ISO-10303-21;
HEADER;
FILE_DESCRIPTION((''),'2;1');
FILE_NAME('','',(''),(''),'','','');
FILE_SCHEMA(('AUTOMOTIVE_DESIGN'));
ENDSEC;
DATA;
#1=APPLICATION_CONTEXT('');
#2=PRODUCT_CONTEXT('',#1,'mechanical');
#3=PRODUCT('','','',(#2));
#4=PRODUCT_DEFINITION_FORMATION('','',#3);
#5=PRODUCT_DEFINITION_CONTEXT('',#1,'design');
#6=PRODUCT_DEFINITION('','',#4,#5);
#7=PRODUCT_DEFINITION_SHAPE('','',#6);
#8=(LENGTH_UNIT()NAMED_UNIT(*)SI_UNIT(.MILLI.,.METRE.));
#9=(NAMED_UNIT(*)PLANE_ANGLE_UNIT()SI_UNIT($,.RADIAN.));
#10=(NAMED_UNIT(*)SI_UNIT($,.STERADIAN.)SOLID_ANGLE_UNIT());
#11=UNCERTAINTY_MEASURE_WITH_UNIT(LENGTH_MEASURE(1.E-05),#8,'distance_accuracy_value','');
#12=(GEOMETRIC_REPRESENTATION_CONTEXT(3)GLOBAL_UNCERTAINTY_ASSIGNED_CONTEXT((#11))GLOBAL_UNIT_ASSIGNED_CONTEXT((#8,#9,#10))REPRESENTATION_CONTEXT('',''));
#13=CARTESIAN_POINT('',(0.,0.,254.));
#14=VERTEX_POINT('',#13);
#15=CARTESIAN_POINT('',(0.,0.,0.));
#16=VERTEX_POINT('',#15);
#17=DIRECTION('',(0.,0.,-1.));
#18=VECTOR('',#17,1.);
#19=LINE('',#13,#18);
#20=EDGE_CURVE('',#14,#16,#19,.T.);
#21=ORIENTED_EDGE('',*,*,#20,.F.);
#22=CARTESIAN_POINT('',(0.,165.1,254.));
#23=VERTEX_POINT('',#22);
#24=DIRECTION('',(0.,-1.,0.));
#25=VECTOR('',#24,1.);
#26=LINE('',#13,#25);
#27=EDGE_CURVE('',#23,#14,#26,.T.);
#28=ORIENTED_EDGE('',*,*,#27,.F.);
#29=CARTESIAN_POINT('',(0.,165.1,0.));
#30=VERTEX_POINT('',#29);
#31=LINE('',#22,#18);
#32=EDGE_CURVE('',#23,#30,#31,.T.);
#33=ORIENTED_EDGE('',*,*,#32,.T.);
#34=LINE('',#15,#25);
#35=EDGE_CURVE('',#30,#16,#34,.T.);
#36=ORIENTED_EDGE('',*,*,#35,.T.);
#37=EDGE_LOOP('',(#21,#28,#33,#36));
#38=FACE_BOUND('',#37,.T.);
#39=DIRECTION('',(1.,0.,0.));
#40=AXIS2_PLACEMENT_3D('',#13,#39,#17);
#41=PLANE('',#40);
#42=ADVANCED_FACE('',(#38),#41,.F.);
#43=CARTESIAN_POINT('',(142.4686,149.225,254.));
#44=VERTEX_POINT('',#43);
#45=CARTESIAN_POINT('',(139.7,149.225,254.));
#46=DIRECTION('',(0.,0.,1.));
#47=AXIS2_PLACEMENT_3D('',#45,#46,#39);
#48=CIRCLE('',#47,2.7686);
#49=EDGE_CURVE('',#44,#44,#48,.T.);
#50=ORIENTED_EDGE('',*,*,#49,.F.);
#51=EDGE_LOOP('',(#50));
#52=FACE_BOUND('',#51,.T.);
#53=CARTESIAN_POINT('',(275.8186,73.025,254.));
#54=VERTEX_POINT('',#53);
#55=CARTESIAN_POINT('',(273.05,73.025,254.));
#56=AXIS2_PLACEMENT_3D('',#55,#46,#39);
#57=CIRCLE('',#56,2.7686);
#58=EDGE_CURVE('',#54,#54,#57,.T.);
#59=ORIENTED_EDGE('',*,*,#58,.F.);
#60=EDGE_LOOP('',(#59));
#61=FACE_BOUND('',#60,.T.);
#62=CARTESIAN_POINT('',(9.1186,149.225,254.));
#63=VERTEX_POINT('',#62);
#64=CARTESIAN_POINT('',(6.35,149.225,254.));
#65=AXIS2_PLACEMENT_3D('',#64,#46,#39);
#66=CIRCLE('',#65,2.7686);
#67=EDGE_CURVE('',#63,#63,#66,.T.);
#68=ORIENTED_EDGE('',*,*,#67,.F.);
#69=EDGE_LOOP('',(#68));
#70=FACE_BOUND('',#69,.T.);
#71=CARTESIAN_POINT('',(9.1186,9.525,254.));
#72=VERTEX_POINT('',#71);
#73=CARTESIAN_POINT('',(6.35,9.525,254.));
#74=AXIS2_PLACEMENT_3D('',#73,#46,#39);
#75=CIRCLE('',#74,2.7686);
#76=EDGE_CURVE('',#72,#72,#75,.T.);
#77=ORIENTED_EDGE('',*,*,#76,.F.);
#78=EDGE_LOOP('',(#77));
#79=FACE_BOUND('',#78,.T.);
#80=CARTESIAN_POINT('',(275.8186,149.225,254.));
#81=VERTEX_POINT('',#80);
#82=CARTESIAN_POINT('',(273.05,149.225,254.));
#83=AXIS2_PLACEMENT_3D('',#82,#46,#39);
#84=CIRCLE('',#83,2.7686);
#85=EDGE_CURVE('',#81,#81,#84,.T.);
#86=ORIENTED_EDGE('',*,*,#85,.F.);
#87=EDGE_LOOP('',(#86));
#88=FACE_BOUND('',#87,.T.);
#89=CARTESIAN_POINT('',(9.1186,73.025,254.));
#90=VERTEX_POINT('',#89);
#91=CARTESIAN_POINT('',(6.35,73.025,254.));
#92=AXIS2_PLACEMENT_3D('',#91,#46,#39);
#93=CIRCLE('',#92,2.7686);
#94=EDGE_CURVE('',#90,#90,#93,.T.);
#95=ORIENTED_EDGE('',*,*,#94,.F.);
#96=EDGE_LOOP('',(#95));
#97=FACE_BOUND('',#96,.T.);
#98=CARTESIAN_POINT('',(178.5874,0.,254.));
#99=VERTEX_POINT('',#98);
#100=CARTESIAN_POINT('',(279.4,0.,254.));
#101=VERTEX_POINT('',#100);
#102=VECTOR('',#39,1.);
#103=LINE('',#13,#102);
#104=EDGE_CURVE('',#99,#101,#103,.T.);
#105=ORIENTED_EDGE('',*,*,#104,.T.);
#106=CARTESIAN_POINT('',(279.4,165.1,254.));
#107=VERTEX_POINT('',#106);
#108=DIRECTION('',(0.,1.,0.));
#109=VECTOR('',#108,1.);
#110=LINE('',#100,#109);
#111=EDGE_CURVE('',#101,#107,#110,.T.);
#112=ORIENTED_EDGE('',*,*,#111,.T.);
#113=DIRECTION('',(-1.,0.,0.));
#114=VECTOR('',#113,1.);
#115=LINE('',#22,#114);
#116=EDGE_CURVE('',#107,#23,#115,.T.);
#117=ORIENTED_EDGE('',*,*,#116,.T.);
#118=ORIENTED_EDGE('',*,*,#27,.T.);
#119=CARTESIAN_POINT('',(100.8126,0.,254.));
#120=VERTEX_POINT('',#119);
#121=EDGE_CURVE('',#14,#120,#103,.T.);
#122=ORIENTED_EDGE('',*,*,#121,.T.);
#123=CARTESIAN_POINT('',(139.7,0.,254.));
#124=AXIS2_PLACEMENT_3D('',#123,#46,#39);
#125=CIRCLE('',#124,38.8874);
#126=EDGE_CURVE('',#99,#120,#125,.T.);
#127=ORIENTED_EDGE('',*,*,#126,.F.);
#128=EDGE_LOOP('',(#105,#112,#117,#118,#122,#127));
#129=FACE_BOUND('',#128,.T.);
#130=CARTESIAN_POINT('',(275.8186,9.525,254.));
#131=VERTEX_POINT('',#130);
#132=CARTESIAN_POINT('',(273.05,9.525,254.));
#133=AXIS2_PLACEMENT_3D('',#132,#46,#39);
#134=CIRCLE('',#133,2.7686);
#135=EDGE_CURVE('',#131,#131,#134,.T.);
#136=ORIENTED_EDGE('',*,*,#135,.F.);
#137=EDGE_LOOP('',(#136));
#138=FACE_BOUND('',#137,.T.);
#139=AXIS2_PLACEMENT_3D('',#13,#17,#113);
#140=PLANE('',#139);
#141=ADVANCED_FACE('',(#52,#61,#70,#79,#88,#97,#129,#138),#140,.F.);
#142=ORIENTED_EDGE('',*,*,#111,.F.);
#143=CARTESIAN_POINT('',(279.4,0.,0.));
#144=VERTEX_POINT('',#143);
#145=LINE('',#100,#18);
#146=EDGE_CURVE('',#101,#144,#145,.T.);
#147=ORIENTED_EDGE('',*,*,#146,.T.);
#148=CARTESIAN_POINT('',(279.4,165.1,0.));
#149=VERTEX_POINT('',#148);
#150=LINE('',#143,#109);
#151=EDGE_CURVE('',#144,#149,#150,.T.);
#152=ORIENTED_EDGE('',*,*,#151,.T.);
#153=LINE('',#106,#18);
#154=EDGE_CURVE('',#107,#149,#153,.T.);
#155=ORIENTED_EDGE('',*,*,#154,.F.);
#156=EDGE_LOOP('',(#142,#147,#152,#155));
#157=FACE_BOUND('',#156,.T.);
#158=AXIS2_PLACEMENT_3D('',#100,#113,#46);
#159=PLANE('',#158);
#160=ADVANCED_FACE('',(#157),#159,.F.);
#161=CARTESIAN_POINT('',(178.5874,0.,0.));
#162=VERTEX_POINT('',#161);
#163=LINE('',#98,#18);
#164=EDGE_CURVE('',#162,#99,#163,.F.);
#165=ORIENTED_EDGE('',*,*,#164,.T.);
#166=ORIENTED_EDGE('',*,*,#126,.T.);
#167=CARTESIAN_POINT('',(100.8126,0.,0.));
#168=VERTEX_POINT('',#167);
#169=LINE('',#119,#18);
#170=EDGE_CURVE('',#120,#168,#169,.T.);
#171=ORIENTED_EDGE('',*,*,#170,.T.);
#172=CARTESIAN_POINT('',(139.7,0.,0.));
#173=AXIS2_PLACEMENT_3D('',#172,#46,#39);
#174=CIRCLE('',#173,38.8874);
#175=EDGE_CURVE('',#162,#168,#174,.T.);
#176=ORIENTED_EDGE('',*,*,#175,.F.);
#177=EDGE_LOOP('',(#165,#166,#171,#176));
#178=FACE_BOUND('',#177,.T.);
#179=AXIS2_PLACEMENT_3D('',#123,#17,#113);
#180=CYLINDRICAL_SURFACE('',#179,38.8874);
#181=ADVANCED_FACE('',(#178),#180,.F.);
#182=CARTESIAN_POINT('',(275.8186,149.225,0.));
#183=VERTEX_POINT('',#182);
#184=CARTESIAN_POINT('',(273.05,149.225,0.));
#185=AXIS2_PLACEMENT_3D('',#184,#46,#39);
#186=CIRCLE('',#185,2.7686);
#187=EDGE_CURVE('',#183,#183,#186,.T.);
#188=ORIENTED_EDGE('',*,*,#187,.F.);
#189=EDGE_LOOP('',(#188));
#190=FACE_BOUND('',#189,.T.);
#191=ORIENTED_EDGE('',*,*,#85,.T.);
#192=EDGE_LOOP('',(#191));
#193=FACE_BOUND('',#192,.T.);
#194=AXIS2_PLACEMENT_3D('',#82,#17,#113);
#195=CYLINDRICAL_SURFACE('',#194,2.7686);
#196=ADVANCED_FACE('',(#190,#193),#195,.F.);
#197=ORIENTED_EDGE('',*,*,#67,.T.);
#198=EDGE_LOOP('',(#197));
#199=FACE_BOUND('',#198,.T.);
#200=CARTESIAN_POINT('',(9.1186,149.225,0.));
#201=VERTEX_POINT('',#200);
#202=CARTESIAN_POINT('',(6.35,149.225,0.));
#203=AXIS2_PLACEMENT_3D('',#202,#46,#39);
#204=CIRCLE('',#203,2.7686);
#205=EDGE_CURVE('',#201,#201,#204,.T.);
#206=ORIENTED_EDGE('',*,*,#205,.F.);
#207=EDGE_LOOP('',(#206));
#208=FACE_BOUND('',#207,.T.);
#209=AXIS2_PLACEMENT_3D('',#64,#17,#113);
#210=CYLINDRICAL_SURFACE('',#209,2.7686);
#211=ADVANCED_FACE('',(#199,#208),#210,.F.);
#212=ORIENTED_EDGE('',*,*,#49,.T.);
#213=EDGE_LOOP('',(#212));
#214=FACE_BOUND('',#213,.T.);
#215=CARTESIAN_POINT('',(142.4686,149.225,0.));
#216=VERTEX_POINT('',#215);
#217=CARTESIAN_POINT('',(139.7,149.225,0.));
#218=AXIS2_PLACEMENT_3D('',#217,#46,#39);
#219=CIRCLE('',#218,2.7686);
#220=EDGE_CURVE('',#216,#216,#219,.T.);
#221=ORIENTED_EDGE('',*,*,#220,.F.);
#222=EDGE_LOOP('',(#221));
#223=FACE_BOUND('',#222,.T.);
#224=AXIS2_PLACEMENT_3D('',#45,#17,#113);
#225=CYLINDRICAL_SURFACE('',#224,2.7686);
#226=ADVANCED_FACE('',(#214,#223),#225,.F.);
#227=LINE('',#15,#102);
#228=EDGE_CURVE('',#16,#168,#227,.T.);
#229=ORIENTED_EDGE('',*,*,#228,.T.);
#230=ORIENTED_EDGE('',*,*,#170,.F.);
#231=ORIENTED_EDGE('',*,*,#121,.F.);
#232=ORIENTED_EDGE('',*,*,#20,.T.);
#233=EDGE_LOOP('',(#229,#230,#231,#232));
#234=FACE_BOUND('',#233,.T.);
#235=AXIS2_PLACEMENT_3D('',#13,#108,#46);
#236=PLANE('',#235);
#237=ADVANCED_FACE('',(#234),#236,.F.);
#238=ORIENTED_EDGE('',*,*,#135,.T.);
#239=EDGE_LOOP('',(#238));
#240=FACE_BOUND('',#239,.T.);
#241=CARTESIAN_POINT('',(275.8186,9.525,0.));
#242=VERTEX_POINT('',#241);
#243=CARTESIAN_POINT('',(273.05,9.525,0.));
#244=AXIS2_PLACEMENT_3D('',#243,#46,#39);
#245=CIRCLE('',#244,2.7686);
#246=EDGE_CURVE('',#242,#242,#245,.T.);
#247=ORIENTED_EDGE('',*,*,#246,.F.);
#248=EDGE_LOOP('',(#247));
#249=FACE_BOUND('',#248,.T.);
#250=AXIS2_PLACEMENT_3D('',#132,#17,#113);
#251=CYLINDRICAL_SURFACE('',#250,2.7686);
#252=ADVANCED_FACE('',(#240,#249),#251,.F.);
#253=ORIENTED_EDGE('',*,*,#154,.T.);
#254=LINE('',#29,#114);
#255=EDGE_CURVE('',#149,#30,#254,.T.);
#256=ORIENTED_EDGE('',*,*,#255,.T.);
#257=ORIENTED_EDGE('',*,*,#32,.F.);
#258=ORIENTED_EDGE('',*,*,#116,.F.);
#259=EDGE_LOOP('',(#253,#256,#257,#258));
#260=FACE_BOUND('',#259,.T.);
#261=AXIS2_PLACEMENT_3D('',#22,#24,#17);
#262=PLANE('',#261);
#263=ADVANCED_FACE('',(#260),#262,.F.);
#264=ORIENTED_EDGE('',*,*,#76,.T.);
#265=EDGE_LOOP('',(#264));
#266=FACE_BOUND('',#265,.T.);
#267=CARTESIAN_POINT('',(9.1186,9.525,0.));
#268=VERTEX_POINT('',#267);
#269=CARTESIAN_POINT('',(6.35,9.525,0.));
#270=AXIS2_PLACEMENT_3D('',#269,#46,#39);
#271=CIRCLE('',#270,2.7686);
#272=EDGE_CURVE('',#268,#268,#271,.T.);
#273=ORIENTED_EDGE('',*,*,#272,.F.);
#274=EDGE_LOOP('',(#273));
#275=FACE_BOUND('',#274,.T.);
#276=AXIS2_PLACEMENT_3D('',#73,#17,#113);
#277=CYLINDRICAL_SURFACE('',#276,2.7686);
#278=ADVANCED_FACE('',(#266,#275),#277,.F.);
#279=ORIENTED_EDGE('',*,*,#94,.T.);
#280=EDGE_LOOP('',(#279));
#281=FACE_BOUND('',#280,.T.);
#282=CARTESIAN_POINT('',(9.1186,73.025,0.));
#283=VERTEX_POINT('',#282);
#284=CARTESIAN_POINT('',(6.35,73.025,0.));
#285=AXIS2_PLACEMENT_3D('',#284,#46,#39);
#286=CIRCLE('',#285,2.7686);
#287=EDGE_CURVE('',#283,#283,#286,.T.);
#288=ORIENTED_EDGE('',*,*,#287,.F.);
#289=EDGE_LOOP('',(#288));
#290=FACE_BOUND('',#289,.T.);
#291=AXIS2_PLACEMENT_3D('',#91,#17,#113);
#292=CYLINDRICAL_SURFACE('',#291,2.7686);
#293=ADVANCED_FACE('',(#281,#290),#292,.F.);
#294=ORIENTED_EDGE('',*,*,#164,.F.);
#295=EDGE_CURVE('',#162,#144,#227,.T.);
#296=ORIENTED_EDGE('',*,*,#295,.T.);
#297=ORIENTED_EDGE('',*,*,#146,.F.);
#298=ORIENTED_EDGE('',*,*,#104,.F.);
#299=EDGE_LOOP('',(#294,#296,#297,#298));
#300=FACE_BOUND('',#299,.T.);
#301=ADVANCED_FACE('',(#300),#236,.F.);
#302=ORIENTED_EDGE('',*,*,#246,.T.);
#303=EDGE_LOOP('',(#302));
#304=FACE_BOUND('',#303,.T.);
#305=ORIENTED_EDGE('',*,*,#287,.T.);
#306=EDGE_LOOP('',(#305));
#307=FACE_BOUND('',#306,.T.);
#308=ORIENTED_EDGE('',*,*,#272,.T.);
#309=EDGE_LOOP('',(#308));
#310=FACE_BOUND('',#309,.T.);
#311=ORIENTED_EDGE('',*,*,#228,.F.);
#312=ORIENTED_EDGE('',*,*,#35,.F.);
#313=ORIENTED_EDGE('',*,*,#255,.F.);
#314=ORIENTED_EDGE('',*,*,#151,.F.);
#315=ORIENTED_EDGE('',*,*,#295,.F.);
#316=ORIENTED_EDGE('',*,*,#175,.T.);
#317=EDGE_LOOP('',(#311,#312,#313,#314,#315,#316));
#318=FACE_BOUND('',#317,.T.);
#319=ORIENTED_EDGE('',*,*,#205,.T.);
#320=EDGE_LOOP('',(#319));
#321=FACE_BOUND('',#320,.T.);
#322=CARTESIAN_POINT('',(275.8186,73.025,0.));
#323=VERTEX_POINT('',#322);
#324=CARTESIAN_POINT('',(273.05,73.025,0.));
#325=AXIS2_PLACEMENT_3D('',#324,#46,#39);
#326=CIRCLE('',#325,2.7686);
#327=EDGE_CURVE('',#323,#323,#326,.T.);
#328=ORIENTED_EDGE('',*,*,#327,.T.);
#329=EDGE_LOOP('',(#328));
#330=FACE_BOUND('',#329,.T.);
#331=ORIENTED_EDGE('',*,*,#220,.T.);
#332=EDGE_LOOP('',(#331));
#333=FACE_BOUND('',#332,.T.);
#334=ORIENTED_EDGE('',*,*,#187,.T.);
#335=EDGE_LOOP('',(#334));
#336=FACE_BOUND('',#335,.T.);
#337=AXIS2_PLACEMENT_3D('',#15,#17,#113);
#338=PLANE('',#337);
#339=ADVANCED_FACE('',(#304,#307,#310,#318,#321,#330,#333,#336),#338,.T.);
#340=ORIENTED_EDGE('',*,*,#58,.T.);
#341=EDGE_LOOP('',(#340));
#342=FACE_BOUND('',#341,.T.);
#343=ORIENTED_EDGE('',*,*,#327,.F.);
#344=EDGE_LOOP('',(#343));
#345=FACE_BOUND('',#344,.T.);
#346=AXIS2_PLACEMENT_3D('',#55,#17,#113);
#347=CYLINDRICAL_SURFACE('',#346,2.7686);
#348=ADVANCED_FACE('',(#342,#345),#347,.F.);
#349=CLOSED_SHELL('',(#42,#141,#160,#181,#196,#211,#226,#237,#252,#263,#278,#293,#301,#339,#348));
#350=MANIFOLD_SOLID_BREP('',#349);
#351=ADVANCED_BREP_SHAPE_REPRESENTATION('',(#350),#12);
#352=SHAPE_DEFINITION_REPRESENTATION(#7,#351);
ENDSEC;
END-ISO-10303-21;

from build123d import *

# Parameters (mm, degrees)
SKETCH1_W           = 279.4
SKETCH1_H           = 165.1
BOSS_EXTRUDE1_DEPTH = 254
SKETCH2_R           = 38.8874
CUT_EXTRUDE1_DEPTH  = 413.114510786
SKETCH3_R           = 2.7686
CUT_EXTRUDE2_DEPTH  = 413.114510786


with BuildPart() as part:
    # Sketch1 → Boss-Extrude1 (new body)
    with BuildSketch(Plane.XY):
        with Locations((139.7, 82.55)):
            Rectangle(SKETCH1_W, SKETCH1_H)
    extrude(amount=BOSS_EXTRUDE1_DEPTH)

    # Sketch2 → Cut-Extrude1 (cut, through all)
    with BuildSketch(Plane.XY):
        with Locations((139.7, 0)):
            Circle(SKETCH2_R)
    extrude(amount=CUT_EXTRUDE1_DEPTH, mode=Mode.SUBTRACT)

    # Sketch3 → Cut-Extrude2 (cut, through all)
    with BuildSketch(Plane.XY):
        with Locations((6.35, 149.225)):
            Circle(SKETCH3_R)
        with Locations((139.7, 149.225)):
            Circle(SKETCH3_R)
        with Locations((273.05, 149.225)):
            Circle(SKETCH3_R)
        with Locations((6.35, 73.025)):
            Circle(SKETCH3_R)
        with Locations((273.05, 73.025)):
            Circle(SKETCH3_R)
        with Locations((6.35, 9.525)):
            Circle(SKETCH3_R)
        with Locations((273.05, 9.525)):
            Circle(SKETCH3_R)
    extrude(amount=CUT_EXTRUDE2_DEPTH, mode=Mode.SUBTRACT)


solid = part.part
